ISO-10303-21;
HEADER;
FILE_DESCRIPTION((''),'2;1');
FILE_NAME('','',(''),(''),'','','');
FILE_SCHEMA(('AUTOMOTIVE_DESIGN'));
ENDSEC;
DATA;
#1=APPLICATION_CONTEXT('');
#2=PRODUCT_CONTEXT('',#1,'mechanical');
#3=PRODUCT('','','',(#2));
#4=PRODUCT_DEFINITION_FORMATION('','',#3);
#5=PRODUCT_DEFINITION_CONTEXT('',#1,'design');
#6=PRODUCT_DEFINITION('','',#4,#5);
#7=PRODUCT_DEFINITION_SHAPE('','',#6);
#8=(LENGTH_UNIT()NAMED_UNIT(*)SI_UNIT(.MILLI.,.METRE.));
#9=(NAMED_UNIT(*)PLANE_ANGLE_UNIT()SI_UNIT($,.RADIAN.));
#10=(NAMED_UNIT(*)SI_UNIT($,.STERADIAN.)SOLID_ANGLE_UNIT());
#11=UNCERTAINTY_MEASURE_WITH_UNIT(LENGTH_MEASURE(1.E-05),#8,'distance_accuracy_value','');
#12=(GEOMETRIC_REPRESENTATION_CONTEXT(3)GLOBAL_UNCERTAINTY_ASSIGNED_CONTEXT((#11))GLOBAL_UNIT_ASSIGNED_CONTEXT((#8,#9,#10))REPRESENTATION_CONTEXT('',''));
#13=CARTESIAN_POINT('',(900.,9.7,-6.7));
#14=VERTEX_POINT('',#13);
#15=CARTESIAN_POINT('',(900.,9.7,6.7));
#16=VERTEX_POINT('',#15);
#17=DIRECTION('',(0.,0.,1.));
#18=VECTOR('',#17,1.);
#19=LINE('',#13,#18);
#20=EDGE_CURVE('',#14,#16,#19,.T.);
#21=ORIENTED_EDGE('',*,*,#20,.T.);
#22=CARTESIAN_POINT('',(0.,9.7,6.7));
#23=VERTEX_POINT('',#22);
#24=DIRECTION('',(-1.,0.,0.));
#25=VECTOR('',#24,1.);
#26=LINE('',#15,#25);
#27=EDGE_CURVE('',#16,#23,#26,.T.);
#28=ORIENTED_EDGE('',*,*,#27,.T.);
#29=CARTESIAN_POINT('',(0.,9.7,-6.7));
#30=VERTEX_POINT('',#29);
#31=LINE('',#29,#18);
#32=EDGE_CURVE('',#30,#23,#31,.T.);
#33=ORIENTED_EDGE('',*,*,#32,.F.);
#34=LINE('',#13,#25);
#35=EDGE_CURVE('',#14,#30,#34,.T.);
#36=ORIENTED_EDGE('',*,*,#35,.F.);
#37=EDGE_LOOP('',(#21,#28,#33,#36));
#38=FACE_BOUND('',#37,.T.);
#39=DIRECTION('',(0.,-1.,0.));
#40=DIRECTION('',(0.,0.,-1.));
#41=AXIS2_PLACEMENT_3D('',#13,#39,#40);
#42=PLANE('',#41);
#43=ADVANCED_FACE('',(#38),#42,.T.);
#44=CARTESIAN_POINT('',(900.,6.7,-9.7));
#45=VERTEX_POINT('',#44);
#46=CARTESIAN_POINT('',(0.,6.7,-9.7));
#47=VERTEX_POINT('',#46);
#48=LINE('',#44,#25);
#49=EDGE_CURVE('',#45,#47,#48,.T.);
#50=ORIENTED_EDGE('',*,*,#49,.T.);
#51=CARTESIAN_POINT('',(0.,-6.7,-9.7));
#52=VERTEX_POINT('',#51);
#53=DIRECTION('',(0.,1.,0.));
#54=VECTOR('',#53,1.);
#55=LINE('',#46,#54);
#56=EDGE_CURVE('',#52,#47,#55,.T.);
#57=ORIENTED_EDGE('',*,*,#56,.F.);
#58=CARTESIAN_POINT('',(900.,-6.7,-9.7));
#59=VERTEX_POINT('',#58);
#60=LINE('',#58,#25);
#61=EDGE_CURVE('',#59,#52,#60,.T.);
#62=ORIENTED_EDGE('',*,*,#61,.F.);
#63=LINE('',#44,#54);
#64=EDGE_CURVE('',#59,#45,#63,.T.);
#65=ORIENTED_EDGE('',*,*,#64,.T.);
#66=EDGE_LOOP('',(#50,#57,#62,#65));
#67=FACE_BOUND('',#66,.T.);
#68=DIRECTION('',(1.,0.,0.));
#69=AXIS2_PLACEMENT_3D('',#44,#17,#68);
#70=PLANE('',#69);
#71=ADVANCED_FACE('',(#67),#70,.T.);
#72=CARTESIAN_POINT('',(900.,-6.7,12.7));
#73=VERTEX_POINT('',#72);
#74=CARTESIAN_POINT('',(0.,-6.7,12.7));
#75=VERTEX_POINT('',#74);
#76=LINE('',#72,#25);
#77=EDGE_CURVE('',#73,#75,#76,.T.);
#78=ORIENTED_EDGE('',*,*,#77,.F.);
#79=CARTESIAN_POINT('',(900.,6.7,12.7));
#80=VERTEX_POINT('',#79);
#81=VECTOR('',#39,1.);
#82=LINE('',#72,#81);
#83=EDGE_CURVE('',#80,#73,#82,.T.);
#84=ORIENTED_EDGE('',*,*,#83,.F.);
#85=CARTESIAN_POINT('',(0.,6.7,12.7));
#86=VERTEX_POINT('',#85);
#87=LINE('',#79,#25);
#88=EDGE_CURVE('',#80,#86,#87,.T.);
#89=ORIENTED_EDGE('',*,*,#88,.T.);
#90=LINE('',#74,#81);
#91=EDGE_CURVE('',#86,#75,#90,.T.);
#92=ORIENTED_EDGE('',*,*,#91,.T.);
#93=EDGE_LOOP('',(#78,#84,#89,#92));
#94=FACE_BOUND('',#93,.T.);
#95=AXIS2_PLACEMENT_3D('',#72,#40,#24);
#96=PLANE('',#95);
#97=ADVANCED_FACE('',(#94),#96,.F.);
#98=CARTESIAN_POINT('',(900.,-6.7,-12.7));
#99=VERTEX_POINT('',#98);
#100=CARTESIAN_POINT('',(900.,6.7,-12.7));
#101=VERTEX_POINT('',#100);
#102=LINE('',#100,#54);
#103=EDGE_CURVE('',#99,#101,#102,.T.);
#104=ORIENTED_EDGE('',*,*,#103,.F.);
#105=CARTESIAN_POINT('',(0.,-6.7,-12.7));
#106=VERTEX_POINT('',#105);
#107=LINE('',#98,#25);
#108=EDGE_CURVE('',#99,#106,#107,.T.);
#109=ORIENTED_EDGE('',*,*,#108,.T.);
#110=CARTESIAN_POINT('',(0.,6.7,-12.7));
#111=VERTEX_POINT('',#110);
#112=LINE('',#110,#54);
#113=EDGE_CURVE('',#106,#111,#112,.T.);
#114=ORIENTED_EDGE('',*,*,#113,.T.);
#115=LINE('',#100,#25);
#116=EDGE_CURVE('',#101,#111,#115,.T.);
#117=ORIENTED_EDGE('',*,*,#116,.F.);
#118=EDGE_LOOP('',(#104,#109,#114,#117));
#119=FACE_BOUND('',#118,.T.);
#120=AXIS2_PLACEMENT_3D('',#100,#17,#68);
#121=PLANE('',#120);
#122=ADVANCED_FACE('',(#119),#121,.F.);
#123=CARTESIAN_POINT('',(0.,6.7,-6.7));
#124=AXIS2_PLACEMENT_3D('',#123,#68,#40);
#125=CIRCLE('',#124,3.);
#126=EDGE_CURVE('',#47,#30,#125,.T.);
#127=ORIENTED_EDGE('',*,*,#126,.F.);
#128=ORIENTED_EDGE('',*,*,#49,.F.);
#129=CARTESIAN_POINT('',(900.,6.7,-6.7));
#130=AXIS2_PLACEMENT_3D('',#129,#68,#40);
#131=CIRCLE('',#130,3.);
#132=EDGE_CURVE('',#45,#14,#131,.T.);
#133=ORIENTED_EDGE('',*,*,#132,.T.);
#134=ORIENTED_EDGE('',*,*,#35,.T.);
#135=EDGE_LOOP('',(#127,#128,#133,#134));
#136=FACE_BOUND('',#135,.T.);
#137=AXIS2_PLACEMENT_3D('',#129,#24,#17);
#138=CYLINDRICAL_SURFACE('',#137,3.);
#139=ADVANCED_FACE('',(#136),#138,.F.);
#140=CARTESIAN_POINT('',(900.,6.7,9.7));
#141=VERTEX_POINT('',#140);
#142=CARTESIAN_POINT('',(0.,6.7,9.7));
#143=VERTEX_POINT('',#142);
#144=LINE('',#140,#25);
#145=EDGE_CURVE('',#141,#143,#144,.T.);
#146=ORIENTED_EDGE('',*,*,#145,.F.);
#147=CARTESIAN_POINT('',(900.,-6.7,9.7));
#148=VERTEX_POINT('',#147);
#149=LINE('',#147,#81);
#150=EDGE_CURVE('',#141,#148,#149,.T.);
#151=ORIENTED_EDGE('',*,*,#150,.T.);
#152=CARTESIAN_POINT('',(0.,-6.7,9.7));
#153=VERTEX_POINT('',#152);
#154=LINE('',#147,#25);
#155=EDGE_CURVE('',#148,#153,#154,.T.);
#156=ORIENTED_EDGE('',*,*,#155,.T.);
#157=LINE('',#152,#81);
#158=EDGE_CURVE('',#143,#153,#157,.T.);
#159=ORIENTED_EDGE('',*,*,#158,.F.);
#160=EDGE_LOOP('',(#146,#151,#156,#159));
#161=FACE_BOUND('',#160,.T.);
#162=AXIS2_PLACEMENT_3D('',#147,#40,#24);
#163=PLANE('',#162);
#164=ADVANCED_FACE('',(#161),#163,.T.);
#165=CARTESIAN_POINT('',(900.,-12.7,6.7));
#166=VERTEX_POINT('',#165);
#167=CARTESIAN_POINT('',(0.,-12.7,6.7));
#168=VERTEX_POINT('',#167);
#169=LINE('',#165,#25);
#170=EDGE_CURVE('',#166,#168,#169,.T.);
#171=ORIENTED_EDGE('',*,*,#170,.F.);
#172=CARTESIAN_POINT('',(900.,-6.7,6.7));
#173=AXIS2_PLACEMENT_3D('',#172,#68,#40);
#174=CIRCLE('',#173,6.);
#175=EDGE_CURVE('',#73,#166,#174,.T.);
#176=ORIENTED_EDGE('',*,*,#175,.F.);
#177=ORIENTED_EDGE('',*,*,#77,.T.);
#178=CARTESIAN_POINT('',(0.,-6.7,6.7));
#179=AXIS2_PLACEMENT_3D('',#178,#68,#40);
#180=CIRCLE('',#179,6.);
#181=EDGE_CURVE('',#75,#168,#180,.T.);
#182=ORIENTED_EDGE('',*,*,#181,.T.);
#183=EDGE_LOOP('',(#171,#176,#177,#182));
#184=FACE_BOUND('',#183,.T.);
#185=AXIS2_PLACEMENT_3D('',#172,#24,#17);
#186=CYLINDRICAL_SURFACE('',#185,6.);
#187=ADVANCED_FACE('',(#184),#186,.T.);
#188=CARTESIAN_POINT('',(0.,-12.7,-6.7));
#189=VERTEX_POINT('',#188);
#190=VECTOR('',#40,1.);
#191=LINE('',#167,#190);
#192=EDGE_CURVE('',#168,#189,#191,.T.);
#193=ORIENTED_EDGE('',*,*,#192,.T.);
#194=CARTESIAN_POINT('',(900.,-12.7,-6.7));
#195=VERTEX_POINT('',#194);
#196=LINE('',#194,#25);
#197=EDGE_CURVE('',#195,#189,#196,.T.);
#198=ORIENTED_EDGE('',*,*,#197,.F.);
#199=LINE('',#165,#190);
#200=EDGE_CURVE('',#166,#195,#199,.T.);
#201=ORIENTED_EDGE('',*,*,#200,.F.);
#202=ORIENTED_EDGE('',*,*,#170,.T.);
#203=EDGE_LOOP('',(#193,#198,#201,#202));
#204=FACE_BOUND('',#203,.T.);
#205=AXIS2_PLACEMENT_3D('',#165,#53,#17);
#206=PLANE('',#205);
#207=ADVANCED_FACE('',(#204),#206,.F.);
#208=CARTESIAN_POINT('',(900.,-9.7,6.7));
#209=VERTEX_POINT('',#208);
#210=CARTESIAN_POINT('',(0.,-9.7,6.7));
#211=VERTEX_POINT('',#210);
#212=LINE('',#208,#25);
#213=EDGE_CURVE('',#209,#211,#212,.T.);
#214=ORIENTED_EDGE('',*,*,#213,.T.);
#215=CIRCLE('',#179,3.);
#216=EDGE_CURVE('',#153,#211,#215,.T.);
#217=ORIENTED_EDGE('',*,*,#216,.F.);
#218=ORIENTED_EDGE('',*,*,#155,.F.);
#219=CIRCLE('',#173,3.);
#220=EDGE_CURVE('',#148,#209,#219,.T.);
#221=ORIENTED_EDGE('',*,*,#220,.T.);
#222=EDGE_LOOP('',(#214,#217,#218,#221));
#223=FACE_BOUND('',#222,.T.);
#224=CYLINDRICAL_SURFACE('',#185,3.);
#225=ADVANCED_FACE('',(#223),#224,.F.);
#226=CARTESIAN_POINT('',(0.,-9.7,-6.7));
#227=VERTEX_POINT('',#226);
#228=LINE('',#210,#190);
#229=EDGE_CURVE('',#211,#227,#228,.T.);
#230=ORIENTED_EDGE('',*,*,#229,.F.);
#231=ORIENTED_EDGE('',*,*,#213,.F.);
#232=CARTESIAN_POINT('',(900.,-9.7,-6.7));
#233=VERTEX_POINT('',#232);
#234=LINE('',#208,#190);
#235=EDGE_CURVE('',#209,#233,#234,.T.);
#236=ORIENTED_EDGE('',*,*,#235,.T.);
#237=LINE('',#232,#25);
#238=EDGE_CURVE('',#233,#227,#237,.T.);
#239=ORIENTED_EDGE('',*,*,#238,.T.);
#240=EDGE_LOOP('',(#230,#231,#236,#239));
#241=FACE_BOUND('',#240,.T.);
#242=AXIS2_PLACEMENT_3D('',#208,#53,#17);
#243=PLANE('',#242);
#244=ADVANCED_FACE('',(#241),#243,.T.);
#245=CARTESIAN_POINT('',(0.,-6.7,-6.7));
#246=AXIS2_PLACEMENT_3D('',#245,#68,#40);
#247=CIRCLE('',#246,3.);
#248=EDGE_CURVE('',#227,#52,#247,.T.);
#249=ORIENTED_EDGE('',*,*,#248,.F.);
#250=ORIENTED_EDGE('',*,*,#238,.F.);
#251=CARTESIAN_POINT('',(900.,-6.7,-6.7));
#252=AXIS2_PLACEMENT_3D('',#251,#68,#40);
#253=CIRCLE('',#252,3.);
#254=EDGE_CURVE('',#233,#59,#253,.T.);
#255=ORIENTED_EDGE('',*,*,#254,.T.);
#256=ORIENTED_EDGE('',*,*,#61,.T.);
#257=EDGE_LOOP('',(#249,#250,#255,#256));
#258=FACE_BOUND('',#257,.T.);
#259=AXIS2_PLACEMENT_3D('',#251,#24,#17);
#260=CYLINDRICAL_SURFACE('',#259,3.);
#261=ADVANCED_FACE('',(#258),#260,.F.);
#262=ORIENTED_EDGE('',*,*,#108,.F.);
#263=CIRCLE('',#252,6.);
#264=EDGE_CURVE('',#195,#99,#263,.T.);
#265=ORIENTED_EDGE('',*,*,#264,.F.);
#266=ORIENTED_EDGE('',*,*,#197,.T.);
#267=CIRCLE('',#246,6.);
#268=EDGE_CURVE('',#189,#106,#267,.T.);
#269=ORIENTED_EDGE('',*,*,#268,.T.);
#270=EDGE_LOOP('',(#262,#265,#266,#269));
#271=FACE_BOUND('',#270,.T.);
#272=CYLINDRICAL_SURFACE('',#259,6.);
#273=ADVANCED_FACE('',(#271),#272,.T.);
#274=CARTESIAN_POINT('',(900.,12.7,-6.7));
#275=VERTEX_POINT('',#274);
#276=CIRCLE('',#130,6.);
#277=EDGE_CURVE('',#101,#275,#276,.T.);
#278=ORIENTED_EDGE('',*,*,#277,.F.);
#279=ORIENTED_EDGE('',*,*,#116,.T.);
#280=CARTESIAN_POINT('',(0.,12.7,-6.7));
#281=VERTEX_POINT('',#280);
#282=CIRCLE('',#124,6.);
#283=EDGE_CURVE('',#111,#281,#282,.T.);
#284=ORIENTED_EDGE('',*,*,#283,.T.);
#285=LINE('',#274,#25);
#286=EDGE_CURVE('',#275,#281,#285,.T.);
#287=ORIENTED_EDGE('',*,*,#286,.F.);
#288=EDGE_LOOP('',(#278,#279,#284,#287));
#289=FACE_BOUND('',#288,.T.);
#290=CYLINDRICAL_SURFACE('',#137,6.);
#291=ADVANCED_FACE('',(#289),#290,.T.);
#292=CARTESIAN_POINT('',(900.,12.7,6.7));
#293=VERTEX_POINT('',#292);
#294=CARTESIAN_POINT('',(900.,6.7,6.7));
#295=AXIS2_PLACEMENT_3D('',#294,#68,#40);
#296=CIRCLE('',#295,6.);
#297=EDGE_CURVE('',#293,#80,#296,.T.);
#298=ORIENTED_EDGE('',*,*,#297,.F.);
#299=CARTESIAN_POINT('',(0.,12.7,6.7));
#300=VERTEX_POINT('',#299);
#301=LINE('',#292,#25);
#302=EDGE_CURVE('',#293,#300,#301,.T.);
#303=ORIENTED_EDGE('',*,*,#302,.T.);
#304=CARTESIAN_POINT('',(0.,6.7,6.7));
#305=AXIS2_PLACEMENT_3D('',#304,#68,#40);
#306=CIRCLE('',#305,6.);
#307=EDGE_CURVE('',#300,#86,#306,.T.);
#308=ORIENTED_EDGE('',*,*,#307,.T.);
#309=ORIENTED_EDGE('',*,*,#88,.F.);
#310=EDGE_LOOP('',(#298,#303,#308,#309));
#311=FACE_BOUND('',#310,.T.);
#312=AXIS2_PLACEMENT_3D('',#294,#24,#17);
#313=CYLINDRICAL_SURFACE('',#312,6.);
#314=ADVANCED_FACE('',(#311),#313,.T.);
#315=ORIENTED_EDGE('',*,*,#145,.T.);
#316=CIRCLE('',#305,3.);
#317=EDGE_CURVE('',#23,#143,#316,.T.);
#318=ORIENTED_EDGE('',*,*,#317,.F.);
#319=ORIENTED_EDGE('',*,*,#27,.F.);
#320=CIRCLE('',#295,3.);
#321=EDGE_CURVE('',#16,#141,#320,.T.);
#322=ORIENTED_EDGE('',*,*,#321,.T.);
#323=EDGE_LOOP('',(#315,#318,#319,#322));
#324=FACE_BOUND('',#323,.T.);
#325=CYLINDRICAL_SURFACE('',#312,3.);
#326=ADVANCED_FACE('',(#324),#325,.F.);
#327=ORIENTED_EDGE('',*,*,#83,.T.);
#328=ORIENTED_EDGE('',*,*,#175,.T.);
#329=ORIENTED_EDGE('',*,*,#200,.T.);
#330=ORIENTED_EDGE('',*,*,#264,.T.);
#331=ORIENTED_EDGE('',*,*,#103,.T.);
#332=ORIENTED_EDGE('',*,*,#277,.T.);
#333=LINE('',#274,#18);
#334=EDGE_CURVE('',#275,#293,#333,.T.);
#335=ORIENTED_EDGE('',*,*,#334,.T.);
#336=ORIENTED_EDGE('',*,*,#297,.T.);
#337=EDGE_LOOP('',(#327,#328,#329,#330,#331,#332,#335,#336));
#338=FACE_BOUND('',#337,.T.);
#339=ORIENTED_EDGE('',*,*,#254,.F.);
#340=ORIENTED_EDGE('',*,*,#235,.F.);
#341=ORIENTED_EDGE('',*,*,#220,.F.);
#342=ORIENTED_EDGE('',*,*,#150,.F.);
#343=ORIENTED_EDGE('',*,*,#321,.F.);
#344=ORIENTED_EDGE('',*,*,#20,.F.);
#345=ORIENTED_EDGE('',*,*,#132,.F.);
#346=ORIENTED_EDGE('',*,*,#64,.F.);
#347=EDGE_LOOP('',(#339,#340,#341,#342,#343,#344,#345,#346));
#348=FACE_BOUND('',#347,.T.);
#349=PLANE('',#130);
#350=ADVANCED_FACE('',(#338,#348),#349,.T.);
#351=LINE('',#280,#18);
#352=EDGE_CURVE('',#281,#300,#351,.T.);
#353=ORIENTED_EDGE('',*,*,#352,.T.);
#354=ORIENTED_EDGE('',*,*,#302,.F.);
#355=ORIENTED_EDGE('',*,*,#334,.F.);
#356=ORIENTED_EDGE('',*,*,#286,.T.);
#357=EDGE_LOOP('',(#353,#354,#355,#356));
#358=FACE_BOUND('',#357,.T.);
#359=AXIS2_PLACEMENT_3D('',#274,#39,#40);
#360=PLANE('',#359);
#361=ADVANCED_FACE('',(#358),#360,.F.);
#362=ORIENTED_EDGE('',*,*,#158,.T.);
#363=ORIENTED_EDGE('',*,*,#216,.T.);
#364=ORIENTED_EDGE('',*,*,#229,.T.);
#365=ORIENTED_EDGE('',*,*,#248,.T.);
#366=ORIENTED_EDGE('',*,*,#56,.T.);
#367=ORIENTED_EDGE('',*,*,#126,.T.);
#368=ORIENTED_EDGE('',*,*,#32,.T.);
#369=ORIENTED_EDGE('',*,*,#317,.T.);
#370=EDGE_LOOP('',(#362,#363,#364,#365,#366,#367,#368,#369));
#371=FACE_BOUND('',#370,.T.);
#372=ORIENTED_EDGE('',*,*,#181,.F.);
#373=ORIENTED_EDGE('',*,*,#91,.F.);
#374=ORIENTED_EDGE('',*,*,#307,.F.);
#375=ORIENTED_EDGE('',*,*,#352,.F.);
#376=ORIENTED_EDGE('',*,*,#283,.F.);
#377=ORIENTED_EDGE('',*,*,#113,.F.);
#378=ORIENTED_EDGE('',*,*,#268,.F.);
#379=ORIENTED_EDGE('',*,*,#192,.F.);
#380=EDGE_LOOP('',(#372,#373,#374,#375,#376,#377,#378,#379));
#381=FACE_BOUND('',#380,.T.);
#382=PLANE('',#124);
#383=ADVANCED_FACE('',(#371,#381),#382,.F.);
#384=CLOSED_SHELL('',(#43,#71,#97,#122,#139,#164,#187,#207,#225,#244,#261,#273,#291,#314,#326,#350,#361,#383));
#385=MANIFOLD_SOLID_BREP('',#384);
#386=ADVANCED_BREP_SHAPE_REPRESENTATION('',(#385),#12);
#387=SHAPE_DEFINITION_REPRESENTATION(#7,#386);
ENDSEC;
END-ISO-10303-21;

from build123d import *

# Parameters (mm, degrees)
TUBO_CUADRADO_2_X_2_X_0_25_1_DEPTH = 900


with BuildPart() as part:
    # Sketch1 → Tubo cuadrado 2 X 2 X 0.25(1) (new body)
    with BuildSketch(Plane(origin=(0, 0, 0), x_dir=(0, 0, -1), z_dir=(1, 0, 0))):
        with BuildLine():
            Line((-6.7, -12.7), (6.7, -12.7))
            ThreePointArc((6.7, -12.7), (10.942640687, -10.942640687), (12.7, -6.7))
            Line((12.7, -6.7), (12.7, 6.7))
            ThreePointArc((12.7, 6.7), (10.942640687, 10.942640687), (6.7, 12.7))
            Line((6.7, 12.7), (-6.7, 12.7))
            ThreePointArc((-6.7, 12.7), (-10.942640687, 10.942640687), (-12.7, 6.7))
            Line((-12.7, 6.7), (-12.7, -6.7))
            ThreePointArc((-12.7, -6.7), (-10.942640687, -10.942640687), (-6.7, -12.7))
        make_face()
        with BuildLine():
            Line((-6.7, -9.7), (6.7, -9.7))
            ThreePointArc((6.7, -9.7), (8.821320344, -8.821320344), (9.7, -6.7))
            Line((9.7, -6.7), (9.7, 6.7))
            ThreePointArc((9.7, 6.7), (8.821320344, 8.821320344), (6.7, 9.7))
            Line((6.7, 9.7), (-6.7, 9.7))
            ThreePointArc((-6.7, 9.7), (-8.821320344, 8.821320344), (-9.7, 6.7))
            Line((-9.7, 6.7), (-9.7, -6.7))
            ThreePointArc((-9.7, -6.7), (-8.821320344, -8.821320344), (-6.7, -9.7))
        make_face(mode=Mode.SUBTRACT)
    extrude(amount=TUBO_CUADRADO_2_X_2_X_0_25_1_DEPTH)


solid = part.part
